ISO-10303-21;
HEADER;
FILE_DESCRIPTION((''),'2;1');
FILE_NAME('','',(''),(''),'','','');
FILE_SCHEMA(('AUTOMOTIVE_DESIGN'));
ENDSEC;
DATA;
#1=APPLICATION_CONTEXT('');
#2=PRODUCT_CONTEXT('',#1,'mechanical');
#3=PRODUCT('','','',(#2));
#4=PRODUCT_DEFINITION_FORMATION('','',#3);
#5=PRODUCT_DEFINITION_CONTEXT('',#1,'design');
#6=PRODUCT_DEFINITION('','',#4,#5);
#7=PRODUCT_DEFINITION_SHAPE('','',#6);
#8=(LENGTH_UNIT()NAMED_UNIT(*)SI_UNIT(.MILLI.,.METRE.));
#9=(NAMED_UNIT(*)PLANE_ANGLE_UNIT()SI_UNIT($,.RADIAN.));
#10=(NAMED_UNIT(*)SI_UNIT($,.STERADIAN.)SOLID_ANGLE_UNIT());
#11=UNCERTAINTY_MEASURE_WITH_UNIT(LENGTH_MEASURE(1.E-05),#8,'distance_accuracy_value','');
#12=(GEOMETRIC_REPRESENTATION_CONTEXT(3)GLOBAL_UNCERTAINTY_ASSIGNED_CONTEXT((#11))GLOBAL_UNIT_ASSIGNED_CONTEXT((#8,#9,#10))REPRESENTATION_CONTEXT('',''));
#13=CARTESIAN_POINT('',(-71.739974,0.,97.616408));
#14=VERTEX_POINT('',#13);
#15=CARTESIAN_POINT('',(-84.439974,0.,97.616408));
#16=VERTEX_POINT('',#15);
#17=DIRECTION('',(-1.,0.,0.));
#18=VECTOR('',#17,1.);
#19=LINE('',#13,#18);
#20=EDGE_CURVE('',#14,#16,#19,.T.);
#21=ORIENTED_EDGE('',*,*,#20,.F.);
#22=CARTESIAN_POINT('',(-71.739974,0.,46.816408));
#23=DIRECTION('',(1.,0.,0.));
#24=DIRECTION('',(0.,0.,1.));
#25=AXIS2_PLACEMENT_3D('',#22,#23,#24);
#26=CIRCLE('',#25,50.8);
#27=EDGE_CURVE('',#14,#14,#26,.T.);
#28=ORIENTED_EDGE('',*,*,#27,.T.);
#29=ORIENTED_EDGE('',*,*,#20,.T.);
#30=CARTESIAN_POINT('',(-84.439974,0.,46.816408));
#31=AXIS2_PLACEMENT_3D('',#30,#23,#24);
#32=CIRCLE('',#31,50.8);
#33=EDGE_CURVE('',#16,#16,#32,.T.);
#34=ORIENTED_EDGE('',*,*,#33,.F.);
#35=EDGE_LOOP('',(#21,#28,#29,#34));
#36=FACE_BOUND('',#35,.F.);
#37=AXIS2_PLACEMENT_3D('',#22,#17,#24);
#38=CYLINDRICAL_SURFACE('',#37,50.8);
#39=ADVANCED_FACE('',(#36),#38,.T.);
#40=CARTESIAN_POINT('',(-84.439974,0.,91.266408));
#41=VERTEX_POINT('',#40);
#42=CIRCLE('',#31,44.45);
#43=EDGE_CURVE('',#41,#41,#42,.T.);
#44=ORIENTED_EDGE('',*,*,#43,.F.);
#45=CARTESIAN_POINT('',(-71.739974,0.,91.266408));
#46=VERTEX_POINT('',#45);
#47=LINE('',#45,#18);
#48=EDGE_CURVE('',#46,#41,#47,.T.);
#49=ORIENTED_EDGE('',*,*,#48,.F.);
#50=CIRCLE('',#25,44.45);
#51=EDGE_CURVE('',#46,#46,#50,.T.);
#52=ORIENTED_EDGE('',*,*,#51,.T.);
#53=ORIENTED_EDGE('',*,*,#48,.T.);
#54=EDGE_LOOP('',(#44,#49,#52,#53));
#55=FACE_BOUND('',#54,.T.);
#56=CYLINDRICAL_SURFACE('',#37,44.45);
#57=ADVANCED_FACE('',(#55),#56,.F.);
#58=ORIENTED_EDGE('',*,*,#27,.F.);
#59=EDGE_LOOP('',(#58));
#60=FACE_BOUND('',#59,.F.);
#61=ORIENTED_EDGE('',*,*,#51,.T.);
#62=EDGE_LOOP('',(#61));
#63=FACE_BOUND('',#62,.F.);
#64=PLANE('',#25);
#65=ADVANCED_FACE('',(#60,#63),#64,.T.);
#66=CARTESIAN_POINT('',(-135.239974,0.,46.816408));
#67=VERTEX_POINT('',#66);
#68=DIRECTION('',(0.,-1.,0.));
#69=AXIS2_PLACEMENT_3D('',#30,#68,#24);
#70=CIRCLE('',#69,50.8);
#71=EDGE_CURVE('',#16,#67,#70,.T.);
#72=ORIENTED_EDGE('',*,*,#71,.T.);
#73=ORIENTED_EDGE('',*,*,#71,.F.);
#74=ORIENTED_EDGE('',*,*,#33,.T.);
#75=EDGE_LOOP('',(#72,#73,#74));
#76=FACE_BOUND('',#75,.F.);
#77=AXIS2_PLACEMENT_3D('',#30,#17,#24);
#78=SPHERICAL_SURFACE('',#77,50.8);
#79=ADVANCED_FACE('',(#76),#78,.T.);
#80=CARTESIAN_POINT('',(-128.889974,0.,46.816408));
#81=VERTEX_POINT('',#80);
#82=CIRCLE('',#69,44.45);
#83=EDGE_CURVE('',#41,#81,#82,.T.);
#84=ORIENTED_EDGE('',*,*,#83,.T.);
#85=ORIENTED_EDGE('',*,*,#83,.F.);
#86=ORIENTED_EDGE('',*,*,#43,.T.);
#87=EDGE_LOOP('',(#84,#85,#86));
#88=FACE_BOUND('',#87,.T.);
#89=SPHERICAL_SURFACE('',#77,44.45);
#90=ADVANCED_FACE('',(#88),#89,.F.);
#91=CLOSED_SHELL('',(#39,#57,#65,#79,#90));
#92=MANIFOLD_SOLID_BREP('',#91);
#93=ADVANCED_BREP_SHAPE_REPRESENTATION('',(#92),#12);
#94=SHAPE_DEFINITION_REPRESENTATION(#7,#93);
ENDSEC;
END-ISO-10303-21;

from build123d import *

# Parameters (mm, degrees)
F2_T = -6.35


with BuildPart() as f1:
    # F0 (on Front) → F1 (revolve)
    with BuildSketch(Plane.XZ):
        with BuildLine():
            Line((-71.7399741378, 46.816408298), (-71.7399741378, 97.616408298))
            Line((-71.7399741378, 97.616408298), (-84.4399741378, 97.616408298))
            ThreePointArc((-84.4399741378, 97.616408298), (-120.3609986221, 82.7374327823), (-135.2399741378, 46.816408298))
            Line((-135.2399741378, 46.816408298), (-71.7399741378, 46.816408298))
        make_face()
    revolve(axis=Axis((-103.4899741378, 0, 46.816408298), (1, 0, 0)))

    # F2
    f2_openings = [f1.faces().sort_by_distance(p)[0] for p in [
        (-71.739974, 0, 46.816408),
    ]]
    offset(amount=F2_T, openings=f2_openings)


solid = f1.part
